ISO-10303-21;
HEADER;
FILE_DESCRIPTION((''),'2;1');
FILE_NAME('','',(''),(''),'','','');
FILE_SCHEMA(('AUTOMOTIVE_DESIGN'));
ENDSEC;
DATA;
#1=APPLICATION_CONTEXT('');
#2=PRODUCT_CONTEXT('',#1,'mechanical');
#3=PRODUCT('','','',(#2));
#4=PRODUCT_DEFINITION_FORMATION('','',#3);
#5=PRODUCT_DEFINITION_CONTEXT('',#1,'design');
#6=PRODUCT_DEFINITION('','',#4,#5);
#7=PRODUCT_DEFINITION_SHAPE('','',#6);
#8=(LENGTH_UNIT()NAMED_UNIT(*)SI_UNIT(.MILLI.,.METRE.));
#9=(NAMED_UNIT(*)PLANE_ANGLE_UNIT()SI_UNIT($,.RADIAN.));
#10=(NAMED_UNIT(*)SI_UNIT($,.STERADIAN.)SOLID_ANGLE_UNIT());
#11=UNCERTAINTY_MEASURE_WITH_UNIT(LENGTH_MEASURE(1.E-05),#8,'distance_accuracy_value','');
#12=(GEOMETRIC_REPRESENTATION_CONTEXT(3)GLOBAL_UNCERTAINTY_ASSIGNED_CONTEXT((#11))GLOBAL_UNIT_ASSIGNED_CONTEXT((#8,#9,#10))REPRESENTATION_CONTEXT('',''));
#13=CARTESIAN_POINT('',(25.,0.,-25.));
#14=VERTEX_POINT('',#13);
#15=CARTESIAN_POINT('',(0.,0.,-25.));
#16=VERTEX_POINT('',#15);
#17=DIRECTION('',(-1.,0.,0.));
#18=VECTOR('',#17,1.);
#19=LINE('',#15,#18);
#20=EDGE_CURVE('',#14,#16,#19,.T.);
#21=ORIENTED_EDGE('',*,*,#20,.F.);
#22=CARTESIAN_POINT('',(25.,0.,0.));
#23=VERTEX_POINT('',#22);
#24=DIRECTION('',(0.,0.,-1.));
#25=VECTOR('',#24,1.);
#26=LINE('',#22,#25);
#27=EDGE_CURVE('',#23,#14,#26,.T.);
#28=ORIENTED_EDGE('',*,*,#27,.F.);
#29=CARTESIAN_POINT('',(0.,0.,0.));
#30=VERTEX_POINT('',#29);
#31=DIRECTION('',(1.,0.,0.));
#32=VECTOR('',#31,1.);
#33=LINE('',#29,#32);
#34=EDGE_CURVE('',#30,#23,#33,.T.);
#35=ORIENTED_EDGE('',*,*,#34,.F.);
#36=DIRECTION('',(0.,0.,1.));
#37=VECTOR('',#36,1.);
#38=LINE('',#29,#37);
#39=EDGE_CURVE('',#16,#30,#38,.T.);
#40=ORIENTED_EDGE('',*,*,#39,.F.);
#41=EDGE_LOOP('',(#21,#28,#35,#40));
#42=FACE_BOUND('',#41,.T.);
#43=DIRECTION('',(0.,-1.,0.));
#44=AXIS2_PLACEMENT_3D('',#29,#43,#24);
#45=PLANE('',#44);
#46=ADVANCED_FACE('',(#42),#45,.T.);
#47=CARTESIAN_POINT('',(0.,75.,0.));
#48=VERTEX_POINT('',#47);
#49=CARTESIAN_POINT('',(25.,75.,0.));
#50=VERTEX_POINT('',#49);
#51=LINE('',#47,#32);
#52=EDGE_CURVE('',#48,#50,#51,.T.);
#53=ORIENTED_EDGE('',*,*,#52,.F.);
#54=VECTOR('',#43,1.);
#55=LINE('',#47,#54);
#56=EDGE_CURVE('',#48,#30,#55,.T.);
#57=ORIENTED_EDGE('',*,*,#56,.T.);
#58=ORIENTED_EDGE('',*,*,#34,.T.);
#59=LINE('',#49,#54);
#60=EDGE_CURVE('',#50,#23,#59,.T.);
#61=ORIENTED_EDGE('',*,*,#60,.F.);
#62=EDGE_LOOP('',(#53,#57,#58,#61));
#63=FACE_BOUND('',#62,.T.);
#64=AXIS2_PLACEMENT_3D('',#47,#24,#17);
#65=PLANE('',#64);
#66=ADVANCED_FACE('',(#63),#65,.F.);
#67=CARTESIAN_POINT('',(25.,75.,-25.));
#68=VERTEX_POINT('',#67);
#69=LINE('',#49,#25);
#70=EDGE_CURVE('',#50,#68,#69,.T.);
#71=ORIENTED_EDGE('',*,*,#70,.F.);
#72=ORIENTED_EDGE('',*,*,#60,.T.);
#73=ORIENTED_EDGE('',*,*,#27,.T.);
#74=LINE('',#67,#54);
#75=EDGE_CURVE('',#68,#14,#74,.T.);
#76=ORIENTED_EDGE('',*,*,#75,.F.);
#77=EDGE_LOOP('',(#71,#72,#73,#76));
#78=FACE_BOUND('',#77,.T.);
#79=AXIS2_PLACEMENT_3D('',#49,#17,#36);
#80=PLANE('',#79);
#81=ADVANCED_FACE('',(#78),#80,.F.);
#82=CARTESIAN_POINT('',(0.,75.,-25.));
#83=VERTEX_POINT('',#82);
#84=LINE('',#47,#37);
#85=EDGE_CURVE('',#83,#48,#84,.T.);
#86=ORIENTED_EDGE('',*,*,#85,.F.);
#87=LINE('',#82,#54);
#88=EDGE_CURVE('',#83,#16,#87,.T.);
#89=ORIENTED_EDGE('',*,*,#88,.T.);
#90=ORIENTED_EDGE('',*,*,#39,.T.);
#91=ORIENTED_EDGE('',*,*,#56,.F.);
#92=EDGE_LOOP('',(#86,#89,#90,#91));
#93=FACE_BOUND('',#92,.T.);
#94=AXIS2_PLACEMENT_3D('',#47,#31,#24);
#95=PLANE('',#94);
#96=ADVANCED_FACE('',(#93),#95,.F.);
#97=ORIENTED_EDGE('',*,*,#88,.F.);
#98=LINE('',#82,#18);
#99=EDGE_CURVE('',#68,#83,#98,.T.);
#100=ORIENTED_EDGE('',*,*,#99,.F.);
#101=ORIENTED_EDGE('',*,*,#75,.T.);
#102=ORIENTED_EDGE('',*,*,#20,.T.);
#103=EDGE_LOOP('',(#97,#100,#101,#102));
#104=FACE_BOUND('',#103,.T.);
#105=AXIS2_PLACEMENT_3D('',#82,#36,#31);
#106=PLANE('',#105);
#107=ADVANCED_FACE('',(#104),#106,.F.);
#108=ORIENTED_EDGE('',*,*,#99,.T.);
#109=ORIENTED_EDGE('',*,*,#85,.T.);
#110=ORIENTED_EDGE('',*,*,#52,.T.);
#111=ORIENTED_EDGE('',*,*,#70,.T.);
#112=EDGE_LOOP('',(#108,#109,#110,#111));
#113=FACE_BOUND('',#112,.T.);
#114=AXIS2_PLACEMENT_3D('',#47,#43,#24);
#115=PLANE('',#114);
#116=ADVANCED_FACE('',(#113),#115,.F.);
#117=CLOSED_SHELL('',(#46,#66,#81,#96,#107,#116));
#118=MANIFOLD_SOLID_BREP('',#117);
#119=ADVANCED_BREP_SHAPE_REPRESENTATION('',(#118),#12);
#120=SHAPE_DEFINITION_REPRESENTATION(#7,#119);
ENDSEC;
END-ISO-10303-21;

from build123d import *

# Parameters (mm, degrees)
SKETCH_1_W      = 25
SKETCH_1_H      = 25
EXTRUDE_1_DEPTH = 75


with BuildPart() as part:
    # 草图1 → 凸台-拉伸1 (new body)
    with BuildSketch(Plane(origin=(0, 0, 0), x_dir=(1, 0, 0), z_dir=(0, 1, 0))):
        with Locations((12.5, 12.5)):
            Rectangle(SKETCH_1_W, SKETCH_1_H)
    extrude(amount=EXTRUDE_1_DEPTH)


solid = part.part
